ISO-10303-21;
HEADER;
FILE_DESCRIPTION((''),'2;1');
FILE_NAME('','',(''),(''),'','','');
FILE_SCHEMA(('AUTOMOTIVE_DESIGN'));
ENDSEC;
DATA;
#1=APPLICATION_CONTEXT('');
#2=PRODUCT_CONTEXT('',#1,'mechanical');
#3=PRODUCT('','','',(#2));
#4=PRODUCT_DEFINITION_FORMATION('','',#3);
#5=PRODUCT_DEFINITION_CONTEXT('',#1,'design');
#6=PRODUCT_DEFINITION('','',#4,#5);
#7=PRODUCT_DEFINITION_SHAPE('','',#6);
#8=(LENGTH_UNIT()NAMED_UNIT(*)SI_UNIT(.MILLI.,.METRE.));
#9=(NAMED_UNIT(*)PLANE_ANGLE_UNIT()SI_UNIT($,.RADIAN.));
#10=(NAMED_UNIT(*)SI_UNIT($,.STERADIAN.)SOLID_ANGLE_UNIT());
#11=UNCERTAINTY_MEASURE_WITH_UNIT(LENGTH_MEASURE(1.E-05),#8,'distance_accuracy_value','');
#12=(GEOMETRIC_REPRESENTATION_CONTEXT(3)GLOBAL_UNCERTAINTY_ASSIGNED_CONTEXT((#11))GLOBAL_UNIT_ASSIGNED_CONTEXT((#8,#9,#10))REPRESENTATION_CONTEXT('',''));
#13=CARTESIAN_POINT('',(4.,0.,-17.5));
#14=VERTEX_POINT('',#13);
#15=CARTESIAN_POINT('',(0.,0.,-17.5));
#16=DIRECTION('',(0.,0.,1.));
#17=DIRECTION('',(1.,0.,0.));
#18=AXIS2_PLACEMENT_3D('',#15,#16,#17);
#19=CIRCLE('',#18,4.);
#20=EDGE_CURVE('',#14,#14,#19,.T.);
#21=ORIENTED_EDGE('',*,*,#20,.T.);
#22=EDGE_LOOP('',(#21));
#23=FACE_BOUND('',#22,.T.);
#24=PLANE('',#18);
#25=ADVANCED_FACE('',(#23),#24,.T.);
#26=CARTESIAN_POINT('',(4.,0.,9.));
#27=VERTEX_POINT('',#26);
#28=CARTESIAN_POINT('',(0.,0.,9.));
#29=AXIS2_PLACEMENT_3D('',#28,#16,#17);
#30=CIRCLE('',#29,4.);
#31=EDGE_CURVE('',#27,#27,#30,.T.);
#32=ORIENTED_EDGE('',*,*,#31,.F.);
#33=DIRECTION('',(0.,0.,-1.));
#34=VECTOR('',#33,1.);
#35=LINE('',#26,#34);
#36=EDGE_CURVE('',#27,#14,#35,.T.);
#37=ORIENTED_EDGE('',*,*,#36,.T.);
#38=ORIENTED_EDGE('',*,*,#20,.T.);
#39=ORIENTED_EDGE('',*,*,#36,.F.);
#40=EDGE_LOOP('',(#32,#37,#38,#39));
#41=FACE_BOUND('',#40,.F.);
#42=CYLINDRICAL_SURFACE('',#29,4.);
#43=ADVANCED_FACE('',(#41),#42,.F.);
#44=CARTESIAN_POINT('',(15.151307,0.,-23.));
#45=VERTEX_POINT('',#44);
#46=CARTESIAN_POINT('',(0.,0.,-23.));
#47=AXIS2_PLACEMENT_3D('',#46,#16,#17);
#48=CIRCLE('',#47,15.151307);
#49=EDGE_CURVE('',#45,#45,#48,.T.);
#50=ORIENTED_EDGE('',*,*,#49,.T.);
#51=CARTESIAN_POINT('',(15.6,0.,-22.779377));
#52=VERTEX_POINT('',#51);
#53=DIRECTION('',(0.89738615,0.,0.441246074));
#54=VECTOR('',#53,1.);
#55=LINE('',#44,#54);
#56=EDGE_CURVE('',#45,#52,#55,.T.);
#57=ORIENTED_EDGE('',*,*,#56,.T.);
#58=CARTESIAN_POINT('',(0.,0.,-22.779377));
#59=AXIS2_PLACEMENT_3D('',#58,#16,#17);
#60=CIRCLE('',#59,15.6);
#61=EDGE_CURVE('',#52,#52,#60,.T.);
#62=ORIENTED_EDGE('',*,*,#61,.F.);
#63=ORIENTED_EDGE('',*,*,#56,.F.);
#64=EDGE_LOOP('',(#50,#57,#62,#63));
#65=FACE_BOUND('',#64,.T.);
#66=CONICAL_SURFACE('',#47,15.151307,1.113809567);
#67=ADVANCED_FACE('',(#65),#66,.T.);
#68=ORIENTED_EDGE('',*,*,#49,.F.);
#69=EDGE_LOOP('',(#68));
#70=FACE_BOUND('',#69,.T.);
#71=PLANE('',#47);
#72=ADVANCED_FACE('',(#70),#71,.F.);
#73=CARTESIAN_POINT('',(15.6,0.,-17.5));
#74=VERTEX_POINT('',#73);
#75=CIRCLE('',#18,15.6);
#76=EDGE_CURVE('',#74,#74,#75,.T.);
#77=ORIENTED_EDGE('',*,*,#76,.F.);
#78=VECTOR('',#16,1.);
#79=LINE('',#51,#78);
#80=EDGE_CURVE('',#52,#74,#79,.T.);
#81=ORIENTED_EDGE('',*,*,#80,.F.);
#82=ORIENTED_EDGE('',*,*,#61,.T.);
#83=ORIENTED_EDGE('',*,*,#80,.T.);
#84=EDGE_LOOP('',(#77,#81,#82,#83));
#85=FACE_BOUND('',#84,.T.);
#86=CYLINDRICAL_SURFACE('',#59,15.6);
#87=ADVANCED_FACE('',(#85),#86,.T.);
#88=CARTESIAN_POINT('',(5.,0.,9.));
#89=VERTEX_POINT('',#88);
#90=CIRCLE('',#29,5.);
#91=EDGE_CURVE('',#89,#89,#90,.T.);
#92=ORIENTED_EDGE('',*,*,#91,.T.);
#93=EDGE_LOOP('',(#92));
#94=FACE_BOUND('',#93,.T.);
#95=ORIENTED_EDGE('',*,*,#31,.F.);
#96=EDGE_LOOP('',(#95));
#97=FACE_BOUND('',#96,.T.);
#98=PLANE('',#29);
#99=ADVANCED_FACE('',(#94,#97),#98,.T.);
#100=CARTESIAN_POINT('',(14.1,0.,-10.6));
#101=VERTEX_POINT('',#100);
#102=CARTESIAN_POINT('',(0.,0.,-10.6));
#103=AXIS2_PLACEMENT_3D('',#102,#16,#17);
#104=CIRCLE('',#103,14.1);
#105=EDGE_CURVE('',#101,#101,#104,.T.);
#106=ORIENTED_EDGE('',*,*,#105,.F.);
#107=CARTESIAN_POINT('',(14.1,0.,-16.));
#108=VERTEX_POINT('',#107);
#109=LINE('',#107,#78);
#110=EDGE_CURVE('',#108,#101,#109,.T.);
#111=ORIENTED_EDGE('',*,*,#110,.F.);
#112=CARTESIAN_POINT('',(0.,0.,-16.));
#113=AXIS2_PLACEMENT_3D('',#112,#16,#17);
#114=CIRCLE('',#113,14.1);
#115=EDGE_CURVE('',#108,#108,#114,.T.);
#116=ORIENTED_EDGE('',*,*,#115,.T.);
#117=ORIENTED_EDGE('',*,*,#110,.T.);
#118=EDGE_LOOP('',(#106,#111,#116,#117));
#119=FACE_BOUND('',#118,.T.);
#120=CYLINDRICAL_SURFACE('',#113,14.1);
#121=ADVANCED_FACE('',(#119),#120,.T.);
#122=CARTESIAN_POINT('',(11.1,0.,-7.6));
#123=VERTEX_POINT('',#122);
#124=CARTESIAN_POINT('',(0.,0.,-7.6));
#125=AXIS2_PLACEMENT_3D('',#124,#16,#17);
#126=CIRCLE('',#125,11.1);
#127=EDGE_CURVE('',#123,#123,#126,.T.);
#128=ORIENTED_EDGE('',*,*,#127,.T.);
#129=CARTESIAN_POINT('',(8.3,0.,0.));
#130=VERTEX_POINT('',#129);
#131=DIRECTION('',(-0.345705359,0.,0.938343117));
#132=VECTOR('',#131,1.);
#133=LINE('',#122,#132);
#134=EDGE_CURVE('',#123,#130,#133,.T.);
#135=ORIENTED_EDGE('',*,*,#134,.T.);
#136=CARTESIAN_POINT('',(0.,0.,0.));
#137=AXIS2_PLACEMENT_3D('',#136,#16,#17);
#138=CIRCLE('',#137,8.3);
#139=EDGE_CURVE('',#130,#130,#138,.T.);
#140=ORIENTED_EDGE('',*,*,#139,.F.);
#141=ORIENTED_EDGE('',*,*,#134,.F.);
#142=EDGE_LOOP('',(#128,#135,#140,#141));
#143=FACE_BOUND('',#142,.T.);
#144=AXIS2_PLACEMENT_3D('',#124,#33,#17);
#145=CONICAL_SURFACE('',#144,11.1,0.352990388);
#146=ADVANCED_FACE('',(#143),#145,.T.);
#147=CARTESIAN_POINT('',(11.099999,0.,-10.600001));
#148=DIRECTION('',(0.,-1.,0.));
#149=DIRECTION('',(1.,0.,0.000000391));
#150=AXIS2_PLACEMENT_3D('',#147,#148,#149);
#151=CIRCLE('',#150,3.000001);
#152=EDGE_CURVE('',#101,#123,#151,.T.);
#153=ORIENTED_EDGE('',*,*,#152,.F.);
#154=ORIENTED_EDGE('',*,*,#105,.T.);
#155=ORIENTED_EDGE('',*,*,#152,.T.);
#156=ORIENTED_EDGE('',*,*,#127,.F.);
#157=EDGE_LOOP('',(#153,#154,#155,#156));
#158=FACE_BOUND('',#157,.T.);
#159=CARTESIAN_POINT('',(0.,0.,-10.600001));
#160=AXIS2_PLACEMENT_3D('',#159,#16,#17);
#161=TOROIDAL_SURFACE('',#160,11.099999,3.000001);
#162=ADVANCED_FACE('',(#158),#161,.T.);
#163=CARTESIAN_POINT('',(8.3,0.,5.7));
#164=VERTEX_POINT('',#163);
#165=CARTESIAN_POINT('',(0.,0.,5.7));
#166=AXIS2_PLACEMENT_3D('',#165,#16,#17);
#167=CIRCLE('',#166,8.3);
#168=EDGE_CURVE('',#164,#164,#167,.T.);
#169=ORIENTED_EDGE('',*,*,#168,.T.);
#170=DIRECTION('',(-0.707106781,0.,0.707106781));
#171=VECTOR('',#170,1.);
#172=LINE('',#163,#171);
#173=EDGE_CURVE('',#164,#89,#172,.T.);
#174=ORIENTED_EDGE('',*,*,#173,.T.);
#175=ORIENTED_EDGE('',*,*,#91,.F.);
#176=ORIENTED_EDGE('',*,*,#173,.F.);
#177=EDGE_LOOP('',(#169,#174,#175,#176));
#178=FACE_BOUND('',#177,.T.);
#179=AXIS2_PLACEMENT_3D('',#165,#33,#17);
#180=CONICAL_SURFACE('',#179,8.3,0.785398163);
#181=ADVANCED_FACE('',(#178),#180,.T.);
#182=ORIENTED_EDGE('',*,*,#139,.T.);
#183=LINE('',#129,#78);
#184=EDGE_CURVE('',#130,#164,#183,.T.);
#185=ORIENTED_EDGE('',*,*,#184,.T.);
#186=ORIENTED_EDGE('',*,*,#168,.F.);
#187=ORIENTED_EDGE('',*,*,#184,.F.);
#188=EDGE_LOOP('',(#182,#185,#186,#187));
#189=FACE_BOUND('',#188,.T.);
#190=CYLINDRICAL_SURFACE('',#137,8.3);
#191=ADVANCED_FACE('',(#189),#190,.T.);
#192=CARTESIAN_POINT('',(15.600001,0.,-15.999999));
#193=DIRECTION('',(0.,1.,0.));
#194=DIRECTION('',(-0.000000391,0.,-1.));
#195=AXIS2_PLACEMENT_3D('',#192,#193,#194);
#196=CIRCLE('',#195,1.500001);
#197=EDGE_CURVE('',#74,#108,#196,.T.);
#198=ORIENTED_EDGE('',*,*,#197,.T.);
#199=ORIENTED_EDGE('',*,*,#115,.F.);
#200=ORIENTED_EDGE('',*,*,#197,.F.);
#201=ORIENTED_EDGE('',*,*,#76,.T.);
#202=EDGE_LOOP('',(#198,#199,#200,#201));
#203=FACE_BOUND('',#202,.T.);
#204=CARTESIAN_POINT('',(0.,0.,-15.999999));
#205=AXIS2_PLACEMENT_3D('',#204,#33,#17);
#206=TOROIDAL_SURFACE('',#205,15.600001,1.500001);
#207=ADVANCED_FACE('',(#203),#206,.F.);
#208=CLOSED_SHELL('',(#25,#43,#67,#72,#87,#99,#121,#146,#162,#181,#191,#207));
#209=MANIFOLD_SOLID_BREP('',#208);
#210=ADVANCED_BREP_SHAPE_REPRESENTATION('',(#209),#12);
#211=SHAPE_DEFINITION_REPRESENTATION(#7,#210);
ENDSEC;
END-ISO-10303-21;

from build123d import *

# Parameters (mm, degrees)
F2_R     = 4
F3_DEPTH = 26.5


with BuildPart() as f1:
    # F0 (on Front) → F1 (revolve)
    with BuildSketch(Plane.XZ):
        with BuildLine():
            Line((0, 9), (0, -23))
            Line((0, -23), (15.151307, -23))
            Line((15.151307, -23), (15.6, -22.779377))
            Line((15.6, -22.779377), (15.6, -17.5))
            ThreePointArc((15.6, -17.5), (14.53934, -17.06066), (14.1, -16))
            Line((14.1, -16), (14.1, -10.6))
            ThreePointArc((14.1, -10.6), (13.22132, -8.47868), (11.1, -7.6))
            Line((11.1, -7.6), (8.3, 0))
            Line((8.3, 0), (8.3, 5.7))
            Line((8.3, 5.7), (5, 9))
            Line((5, 9), (0, 9))
        make_face()
    revolve(axis=Axis((0, 0, -1.903735), (0, 0, 1)))

    # F2 (on face) → F3 (cut)
    with BuildSketch(Plane.XY.offset(9)):
        Circle(F2_R)
    extrude(amount=-F3_DEPTH, mode=Mode.SUBTRACT)


solid = f1.part
